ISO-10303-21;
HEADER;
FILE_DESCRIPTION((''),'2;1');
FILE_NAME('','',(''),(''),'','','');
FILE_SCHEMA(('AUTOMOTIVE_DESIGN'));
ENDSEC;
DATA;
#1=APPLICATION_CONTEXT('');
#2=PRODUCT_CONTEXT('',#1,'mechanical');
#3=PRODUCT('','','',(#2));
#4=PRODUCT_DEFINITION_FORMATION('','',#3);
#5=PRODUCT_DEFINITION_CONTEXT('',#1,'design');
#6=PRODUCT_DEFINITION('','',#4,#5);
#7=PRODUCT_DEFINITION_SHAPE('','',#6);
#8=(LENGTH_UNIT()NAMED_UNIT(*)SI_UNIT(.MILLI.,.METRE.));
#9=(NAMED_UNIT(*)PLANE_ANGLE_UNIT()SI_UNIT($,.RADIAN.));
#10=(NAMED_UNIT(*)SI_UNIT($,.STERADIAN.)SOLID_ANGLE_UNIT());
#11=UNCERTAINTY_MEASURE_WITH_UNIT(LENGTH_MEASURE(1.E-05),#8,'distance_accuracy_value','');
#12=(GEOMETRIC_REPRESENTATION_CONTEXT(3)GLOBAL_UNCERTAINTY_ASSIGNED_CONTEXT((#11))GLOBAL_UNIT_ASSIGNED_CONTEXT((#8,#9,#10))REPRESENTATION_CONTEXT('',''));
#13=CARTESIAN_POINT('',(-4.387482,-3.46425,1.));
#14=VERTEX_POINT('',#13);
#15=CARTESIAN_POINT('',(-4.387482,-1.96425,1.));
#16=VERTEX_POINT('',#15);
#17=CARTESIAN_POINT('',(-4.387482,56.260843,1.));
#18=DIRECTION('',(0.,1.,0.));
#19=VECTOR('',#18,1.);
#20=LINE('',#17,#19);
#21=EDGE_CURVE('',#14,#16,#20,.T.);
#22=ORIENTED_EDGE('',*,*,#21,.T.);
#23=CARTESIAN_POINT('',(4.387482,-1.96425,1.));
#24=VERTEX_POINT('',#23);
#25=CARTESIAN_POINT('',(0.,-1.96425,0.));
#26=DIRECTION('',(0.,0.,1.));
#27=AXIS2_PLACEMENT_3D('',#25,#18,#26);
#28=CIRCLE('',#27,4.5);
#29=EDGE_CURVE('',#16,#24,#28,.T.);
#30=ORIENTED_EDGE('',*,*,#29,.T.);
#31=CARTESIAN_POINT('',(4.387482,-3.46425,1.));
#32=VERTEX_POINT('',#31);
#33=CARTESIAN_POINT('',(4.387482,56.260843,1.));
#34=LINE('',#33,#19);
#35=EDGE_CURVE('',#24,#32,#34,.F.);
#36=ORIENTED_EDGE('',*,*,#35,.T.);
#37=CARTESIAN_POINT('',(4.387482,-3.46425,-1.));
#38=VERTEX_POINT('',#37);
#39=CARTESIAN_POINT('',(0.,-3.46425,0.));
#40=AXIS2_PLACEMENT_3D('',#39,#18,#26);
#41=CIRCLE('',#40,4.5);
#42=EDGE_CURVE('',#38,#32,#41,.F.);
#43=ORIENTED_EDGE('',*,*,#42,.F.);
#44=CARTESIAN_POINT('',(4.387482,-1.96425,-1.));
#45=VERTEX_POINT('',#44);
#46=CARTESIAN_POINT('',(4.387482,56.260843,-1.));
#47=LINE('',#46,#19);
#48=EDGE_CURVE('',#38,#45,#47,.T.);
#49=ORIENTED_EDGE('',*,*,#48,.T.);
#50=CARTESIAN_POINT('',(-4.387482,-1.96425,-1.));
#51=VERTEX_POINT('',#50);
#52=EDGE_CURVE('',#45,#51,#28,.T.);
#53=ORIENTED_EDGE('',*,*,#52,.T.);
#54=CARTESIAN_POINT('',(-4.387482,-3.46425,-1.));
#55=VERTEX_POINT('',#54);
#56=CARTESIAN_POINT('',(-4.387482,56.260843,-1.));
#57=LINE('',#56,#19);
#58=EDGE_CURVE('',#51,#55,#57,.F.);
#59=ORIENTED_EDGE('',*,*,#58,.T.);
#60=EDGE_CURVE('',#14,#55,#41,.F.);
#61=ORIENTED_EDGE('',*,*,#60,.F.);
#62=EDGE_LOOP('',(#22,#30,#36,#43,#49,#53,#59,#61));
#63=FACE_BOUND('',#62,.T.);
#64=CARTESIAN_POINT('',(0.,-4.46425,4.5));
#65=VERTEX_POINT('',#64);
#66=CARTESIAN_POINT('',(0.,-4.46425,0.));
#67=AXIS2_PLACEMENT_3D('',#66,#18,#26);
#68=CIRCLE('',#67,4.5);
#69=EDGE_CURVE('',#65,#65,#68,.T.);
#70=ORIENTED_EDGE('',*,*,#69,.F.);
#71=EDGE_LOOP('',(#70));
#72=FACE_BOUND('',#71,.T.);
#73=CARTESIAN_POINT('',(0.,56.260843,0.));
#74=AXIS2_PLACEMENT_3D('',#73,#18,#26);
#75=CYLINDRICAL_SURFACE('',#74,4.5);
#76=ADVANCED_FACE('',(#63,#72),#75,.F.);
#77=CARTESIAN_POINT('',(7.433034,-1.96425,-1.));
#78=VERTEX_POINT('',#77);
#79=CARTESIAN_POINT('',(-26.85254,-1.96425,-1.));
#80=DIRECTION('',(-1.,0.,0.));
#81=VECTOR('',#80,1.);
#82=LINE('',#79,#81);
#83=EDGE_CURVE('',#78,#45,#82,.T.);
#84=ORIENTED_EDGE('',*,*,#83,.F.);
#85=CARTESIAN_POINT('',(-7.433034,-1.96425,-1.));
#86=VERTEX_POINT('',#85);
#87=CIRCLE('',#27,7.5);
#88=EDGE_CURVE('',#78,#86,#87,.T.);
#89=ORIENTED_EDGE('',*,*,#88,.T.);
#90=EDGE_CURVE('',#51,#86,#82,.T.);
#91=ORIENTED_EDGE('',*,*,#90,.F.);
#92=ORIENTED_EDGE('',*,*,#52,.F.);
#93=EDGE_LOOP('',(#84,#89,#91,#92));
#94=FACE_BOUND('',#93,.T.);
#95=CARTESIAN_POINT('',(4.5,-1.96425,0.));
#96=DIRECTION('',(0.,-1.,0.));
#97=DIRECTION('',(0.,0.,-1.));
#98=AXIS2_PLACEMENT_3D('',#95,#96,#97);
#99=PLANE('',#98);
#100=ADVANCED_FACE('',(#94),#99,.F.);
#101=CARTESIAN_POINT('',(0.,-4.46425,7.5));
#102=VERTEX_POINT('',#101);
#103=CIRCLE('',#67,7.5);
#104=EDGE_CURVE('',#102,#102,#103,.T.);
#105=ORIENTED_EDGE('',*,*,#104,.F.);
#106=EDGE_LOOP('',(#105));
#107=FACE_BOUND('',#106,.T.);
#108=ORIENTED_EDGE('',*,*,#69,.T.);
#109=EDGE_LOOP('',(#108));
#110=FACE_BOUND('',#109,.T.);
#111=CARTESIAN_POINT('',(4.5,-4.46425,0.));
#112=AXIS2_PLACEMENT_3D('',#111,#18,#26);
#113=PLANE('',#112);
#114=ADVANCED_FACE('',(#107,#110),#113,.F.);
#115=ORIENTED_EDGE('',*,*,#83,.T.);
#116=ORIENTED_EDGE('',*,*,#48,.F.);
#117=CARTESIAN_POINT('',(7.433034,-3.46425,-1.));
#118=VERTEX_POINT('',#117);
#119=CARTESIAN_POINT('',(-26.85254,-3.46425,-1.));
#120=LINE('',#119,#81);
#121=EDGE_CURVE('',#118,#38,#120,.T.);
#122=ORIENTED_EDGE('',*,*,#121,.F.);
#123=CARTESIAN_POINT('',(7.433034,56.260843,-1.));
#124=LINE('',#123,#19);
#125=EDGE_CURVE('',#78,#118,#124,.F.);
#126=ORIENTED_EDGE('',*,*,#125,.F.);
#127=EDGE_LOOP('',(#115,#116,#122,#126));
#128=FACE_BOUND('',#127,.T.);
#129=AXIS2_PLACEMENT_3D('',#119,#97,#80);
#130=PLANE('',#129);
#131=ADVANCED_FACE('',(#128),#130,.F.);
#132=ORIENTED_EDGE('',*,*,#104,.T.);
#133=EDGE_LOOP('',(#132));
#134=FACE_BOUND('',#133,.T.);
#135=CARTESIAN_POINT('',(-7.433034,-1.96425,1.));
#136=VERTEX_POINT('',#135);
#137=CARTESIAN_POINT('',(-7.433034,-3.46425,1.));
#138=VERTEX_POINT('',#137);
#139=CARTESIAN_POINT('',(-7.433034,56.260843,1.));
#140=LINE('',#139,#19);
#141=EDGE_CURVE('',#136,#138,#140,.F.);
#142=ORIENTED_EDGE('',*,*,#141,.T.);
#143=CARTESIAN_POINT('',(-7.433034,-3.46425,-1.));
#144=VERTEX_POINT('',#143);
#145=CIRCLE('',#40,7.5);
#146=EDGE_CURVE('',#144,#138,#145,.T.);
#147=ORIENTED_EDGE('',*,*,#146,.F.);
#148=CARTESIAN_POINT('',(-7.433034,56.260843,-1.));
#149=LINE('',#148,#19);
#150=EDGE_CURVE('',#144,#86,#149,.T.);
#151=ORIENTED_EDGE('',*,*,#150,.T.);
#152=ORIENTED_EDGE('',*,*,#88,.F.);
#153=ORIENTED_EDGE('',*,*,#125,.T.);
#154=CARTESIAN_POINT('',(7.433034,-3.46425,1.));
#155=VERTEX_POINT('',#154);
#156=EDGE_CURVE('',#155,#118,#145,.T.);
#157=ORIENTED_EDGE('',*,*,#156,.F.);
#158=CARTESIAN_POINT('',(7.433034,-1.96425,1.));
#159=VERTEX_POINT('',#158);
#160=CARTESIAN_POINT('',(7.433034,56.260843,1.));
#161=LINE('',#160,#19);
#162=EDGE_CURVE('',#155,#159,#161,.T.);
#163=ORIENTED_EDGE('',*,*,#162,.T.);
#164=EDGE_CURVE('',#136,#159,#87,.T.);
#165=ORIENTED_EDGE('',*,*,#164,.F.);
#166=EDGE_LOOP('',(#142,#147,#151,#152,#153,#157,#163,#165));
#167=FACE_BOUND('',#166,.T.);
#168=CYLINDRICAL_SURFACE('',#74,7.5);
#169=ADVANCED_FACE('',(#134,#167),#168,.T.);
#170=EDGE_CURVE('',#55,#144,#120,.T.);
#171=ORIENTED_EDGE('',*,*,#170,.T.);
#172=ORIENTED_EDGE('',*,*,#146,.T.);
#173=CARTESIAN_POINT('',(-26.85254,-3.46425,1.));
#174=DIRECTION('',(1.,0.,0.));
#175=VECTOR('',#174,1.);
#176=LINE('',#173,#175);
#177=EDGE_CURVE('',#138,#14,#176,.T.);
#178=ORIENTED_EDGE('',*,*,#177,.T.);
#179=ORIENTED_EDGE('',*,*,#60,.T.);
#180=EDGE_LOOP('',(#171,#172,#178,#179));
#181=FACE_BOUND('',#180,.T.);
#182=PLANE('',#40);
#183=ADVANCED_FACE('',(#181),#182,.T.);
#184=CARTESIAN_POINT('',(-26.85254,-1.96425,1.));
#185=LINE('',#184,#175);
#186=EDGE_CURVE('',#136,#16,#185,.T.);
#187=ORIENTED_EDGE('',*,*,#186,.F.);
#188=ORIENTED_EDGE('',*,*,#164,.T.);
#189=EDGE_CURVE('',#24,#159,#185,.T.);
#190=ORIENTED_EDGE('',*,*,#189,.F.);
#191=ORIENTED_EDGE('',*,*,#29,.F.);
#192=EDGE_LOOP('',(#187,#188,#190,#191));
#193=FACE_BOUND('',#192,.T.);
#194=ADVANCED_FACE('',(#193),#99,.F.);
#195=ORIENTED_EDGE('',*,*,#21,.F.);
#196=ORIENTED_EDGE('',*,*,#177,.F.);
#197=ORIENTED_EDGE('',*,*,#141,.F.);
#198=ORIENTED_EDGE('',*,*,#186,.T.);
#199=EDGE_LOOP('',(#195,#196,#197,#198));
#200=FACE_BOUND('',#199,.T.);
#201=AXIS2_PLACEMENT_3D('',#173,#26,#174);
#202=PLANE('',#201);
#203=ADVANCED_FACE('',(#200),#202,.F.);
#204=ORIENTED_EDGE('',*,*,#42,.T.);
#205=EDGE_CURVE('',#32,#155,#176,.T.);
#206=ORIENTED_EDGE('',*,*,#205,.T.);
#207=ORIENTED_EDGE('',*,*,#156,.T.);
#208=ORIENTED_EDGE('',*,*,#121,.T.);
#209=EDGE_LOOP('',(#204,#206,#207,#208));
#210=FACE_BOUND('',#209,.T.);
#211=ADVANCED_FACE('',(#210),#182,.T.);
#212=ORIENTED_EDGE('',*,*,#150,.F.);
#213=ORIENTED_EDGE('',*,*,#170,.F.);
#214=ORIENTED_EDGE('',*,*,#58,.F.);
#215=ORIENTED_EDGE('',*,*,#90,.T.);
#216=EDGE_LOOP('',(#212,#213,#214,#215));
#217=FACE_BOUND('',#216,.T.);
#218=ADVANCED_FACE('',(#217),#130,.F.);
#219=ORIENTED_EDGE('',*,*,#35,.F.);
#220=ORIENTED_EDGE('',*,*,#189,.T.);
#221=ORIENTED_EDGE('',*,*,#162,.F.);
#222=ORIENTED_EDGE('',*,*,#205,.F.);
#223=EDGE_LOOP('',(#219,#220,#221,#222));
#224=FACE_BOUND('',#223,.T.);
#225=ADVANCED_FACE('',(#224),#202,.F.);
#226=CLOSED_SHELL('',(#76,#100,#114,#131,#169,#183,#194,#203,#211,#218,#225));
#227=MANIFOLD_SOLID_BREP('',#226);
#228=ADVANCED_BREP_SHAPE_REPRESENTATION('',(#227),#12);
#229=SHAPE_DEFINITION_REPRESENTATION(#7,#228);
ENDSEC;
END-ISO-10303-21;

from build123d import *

# Parameters (mm, degrees)
SKETCH_1_W          = 3
SKETCH_1_H          = 2.5
SKETCH_2_W          = 53.705080546
SKETCH_2_H          = 2
CUT_EXTRUDE_1_DEPTH = 1.5


with BuildPart() as part:
    # 草图1 → 旋转1 (revolve)
    with BuildSketch(Plane.XY, mode=Mode.PRIVATE) as revolve_1_sk:
        with Locations((6, -3.214249787)):
            Rectangle(SKETCH_1_W, SKETCH_1_H)
    revolve(revolve_1_sk.sketch.rotate(Axis((0, 56.260842627, 0), (0, -1, 0)), 90), axis=Axis((0, 56.260842627, 0), (0, -1, 0)))  # turned: the seam where the file's is

    # 草图2 → 切除-拉伸1 (cut)
    with BuildSketch(Plane(origin=(0, -1.964249787, 0), x_dir=(1, 0, 0), z_dir=(0, 1, 0))):
        Rectangle(SKETCH_2_W, SKETCH_2_H)
    extrude(amount=-CUT_EXTRUDE_1_DEPTH, mode=Mode.SUBTRACT)


solid = part.part
